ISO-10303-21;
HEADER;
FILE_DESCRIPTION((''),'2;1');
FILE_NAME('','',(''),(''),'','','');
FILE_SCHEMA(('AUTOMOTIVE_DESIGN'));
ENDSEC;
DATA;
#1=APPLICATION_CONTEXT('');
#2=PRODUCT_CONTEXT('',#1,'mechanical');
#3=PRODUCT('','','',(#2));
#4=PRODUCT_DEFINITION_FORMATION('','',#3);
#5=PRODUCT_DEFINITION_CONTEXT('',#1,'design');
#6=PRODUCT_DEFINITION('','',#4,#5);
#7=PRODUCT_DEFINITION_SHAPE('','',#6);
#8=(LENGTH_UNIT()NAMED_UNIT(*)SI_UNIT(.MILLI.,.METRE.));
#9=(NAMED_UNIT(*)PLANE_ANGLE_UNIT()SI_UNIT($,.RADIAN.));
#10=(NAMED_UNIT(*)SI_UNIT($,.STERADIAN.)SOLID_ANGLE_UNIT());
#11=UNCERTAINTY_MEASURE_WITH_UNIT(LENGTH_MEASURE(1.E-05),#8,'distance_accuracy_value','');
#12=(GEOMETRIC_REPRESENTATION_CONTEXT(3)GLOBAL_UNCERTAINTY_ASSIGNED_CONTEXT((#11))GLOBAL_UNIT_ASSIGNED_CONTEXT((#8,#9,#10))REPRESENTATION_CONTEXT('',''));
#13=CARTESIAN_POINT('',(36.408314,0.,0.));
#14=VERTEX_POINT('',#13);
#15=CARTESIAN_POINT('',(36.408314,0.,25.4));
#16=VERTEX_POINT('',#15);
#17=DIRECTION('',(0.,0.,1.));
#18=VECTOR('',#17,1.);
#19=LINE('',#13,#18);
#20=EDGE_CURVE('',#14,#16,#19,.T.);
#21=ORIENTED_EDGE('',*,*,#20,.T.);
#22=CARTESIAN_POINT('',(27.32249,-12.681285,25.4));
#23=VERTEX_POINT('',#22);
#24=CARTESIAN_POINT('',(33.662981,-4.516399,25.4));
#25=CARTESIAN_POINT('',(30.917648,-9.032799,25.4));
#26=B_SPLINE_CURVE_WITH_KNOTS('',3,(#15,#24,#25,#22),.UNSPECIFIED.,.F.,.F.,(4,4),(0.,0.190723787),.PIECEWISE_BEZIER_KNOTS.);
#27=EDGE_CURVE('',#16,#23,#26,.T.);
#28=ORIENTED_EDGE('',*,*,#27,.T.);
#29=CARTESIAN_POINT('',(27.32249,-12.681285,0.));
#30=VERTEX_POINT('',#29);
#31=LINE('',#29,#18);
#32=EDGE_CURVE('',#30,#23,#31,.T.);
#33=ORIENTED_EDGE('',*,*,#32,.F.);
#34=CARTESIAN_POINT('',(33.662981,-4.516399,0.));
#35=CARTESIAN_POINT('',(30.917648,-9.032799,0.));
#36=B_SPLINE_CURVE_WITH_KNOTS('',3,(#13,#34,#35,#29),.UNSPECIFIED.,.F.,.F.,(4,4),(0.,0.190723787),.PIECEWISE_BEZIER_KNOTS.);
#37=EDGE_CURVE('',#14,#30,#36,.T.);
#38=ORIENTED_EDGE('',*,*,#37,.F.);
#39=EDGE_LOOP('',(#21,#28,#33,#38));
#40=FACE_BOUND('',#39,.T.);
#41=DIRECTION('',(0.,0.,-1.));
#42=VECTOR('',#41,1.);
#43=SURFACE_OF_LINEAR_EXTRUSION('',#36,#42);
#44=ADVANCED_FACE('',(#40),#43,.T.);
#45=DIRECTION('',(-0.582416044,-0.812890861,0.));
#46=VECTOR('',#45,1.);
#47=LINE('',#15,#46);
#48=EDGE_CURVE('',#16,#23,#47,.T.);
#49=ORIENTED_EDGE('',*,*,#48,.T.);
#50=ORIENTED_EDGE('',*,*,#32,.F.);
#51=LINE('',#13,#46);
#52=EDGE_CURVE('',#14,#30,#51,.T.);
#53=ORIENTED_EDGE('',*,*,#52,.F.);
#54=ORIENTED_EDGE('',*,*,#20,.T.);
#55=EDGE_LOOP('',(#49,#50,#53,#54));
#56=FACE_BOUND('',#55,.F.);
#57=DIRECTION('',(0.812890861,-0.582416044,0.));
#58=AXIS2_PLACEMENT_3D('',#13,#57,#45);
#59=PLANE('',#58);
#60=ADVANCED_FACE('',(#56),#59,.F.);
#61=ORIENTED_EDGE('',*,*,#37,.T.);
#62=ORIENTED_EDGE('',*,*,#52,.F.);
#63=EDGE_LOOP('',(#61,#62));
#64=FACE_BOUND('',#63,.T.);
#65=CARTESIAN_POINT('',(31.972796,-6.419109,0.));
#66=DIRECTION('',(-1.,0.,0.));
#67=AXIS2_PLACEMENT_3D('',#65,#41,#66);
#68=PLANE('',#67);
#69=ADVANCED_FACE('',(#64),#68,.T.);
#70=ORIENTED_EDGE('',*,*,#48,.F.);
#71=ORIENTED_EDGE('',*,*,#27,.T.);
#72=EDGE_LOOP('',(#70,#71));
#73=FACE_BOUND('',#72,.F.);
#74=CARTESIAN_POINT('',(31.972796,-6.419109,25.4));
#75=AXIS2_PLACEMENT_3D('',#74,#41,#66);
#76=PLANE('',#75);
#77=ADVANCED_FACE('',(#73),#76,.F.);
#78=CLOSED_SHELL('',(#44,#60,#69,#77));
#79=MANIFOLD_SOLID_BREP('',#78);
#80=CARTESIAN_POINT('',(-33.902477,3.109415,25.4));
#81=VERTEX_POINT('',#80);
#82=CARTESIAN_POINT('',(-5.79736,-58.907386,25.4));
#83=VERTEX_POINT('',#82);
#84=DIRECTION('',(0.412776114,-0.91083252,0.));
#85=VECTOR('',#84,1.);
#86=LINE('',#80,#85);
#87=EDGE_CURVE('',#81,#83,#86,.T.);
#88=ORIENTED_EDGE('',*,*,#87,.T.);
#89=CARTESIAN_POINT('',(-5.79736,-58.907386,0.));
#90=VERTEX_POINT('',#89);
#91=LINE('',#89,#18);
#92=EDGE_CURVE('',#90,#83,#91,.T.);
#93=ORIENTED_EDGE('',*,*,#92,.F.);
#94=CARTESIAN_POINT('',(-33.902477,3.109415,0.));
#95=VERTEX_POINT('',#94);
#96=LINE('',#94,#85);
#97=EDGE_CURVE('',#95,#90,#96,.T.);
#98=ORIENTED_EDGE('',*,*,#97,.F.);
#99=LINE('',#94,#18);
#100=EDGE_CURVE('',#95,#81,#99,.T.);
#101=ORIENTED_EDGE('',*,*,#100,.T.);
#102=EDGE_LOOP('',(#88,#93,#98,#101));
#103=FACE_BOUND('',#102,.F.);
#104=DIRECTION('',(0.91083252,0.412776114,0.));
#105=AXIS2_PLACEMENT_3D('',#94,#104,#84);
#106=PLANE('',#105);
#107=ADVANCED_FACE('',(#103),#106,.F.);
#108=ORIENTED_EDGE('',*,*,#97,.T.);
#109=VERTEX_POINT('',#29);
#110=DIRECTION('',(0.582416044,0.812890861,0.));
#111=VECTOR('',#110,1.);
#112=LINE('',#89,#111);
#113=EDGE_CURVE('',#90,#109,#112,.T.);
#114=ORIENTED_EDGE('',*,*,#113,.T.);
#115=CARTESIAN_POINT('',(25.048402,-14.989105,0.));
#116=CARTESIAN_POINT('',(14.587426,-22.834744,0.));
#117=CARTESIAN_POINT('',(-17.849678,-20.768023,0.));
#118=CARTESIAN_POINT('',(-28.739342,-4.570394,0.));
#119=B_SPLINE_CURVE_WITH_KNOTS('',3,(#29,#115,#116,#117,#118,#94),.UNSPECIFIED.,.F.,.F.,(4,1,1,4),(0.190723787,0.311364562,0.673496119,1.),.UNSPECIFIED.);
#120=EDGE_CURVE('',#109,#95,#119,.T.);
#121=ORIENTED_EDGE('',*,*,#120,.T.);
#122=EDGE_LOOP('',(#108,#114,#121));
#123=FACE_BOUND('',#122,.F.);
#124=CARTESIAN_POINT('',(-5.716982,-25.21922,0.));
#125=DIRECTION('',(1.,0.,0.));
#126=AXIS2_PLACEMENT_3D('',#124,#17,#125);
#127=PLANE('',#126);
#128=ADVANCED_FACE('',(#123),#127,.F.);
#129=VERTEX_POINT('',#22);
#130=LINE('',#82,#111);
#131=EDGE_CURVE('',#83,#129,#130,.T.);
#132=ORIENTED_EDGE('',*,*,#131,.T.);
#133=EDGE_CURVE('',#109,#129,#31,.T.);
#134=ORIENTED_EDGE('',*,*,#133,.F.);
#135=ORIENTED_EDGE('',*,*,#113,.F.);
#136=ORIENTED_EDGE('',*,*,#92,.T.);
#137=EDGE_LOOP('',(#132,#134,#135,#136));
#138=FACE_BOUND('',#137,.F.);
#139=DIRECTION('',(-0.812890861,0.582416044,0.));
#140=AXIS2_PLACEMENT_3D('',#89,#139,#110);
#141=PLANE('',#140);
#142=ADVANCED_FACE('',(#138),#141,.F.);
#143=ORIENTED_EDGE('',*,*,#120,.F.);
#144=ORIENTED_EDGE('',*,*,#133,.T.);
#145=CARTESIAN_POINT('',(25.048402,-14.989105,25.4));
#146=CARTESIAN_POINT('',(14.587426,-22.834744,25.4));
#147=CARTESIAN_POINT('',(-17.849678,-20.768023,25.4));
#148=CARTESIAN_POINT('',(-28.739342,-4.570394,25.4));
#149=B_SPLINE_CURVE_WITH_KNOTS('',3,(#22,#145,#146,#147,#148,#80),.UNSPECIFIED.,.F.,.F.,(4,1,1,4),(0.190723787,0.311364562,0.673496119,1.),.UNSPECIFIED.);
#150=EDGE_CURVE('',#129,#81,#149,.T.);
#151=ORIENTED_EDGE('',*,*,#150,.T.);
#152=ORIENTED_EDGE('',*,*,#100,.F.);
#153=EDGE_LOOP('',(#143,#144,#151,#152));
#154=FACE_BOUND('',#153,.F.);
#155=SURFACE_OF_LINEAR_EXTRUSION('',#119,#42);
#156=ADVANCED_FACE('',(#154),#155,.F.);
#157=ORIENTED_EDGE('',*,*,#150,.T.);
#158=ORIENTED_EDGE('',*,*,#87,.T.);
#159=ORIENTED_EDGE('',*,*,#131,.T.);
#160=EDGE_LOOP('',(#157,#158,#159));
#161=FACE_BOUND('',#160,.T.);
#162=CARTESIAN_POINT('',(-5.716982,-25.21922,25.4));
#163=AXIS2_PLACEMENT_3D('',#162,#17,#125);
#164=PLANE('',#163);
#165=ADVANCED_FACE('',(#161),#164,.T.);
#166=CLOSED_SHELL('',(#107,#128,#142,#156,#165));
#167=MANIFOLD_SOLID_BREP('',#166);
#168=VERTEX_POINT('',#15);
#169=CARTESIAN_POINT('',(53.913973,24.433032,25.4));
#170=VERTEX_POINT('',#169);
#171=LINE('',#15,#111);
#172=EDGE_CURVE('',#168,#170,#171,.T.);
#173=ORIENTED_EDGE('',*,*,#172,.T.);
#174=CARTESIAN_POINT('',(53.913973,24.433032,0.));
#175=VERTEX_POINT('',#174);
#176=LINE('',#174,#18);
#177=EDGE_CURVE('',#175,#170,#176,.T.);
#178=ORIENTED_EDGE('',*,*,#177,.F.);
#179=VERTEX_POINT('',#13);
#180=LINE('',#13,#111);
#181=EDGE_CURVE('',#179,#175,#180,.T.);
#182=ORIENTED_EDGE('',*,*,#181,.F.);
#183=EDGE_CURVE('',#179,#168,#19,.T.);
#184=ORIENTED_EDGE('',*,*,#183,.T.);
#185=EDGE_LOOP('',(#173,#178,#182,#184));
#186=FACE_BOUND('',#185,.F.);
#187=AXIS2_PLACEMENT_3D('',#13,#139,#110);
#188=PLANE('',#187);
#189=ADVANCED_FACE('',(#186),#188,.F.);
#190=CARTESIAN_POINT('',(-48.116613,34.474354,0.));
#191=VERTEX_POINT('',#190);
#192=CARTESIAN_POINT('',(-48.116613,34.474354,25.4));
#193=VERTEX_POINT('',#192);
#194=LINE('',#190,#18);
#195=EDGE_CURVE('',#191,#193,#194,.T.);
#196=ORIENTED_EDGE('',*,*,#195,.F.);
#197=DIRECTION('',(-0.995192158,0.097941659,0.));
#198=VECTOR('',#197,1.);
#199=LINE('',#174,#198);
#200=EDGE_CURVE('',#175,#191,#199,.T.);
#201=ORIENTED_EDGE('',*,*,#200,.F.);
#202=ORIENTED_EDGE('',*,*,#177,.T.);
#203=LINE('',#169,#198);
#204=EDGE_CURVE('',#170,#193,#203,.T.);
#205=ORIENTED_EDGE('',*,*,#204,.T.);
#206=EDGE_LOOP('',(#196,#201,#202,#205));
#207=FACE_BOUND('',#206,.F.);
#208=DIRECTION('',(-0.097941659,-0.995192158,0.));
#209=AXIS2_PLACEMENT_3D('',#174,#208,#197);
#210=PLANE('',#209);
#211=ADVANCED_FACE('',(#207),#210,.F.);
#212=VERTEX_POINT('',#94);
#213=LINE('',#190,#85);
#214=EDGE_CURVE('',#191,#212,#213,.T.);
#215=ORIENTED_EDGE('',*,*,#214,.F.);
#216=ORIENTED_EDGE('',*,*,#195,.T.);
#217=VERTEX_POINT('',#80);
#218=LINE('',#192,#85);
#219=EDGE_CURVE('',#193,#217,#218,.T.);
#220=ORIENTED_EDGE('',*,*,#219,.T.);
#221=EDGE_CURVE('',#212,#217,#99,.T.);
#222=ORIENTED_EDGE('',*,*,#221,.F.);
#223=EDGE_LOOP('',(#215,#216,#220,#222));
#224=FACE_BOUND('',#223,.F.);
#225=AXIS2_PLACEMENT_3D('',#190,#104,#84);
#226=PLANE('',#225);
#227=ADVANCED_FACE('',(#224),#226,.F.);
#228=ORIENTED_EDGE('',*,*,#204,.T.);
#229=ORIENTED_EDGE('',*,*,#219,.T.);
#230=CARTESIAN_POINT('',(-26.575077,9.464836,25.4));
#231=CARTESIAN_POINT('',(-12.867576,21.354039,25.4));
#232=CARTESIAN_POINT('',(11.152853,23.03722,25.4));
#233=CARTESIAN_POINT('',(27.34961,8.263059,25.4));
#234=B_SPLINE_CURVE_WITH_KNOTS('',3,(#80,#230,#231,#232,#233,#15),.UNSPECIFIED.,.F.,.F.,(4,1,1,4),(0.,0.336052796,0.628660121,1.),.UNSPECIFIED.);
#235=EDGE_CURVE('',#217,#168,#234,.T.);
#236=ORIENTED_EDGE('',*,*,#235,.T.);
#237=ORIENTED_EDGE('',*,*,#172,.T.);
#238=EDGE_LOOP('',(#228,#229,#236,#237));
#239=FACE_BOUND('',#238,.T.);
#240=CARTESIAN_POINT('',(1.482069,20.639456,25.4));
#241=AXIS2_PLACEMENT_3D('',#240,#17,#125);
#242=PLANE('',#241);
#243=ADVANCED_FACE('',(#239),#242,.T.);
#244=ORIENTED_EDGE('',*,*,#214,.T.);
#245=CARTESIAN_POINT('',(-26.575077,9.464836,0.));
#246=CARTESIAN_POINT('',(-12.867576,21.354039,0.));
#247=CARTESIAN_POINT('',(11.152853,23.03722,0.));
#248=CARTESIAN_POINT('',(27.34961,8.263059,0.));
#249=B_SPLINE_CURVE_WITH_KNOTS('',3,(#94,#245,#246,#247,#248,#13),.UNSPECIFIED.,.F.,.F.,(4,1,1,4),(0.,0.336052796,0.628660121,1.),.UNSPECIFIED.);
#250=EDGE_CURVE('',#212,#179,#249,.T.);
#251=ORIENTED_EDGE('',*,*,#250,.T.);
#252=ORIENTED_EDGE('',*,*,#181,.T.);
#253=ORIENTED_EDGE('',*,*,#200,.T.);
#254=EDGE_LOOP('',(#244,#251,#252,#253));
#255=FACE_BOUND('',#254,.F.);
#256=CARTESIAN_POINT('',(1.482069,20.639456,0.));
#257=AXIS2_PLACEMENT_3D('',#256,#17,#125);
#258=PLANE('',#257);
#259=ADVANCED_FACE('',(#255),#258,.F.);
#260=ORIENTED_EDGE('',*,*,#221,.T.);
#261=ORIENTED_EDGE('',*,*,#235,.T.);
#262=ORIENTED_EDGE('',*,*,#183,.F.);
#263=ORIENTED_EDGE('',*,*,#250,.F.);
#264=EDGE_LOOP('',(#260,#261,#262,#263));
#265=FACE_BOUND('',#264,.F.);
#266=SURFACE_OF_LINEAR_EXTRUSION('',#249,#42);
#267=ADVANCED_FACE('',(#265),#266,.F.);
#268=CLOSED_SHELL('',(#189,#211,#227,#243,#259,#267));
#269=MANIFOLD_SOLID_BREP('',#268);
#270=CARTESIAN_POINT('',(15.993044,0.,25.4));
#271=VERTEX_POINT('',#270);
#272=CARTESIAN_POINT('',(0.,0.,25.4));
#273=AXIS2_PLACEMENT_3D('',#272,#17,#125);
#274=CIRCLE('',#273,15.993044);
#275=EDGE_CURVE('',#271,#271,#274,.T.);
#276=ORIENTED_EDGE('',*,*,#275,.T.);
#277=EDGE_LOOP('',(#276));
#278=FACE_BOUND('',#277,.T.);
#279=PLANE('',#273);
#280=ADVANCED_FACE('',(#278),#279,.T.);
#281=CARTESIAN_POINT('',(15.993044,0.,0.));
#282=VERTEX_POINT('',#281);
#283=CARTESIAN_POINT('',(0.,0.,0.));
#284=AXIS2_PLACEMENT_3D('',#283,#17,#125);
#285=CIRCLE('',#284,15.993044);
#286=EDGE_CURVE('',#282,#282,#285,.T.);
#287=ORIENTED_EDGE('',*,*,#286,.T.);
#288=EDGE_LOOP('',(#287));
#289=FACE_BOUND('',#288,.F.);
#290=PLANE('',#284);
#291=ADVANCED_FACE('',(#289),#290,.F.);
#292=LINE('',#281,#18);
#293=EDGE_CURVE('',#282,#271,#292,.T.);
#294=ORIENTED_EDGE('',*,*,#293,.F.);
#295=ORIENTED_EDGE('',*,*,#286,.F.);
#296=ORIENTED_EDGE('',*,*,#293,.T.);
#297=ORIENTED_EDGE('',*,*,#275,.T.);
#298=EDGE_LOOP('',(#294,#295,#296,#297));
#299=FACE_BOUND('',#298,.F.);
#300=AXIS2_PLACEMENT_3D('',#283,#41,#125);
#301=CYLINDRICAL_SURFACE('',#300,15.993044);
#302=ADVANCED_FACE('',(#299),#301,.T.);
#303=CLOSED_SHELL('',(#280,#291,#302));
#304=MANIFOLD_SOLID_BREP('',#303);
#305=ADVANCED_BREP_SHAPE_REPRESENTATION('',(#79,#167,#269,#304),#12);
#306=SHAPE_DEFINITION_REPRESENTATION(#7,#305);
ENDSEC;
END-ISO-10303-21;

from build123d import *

# Parameters (mm, degrees)
F1_DEPTH = 25.4
F2_R     = 15.9930438788
F3_DEPTH = 25.4


with BuildPart() as f1:
    # F0 (on Top) → F1 (new body)
    with BuildSketch(Plane.XY):
        with BuildLine():
            Line((36.4083144305, 0), (53.9139731383, 24.4330322388))
            Line((53.9139731383, 24.4330322388), (-48.1166131794, 34.4743542373))
            Line((-48.1166131794, 34.4743542373), (-33.9024768455, 3.109415289))
            add(Edge.make_bspline(
                [(-33.9024768455, 3.109415289), (-26.5750770472, 9.4648362976), (-12.8675760269, 21.3540387917), (11.1528533904, 23.0372202248), (27.3496098458, 8.2630593098), (36.4083144305, 0)],
                knots=[0, 0, 0, 0, 0.336052796, 0.6286601211, 1, 1, 1, 1], degree=3))
        make_face()
    extrude(amount=F1_DEPTH)


with BuildPart() as f1b:
    # F0 (on Top) → F1, piece 2 (new body)
    with BuildSketch(Plane.XY):
        with BuildLine():
            Line((-5.7973599589, -58.9073864761), (27.3224899861, -12.681284679))
            add(Edge.make_bspline(
                [(27.3224899861, -12.681284679), (25.0484021441, -14.9891045916), (14.5874263856, -22.8347435286), (-17.8496784828, -20.7680233971), (-28.7393422163, -4.5703940346), (-33.9024768455, 3.109415289)],
                knots=[0.1907237868, 0.1907237868, 0.1907237868, 0.1907237868, 0.3113645625, 0.6734961188, 1, 1, 1, 1], degree=3))
            Line((-33.9024768455, 3.109415289), (-5.7973599589, -58.9073864761))
        make_face()
    extrude(amount=F1_DEPTH)


with BuildPart() as f1c:
    # F0 (on Top) → F1, piece 3 (new body)
    with BuildSketch(Plane.XY):
        with BuildLine():
            add(Edge.make_bspline(
                [(36.4083144305, 0), (33.6629811881, -4.5163994552), (30.9176479457, -9.0327989105), (27.3224899861, -12.681284679)],
                knots=[0, 0, 0, 0, 0.1907237868, 0.1907237868, 0.1907237868, 0.1907237868], degree=3))
            Line((36.4083144305, 0), (27.3224899861, -12.681284679))
        make_face()
    extrude(amount=F1_DEPTH)


with BuildPart() as f3:
    # F2 (on Top) → F3 (new body)
    with BuildSketch(Plane.XY):
        Circle(F2_R)
    extrude(amount=F3_DEPTH)


solid = Compound([f1.part, f1b.part, f1c.part, f3.part])
